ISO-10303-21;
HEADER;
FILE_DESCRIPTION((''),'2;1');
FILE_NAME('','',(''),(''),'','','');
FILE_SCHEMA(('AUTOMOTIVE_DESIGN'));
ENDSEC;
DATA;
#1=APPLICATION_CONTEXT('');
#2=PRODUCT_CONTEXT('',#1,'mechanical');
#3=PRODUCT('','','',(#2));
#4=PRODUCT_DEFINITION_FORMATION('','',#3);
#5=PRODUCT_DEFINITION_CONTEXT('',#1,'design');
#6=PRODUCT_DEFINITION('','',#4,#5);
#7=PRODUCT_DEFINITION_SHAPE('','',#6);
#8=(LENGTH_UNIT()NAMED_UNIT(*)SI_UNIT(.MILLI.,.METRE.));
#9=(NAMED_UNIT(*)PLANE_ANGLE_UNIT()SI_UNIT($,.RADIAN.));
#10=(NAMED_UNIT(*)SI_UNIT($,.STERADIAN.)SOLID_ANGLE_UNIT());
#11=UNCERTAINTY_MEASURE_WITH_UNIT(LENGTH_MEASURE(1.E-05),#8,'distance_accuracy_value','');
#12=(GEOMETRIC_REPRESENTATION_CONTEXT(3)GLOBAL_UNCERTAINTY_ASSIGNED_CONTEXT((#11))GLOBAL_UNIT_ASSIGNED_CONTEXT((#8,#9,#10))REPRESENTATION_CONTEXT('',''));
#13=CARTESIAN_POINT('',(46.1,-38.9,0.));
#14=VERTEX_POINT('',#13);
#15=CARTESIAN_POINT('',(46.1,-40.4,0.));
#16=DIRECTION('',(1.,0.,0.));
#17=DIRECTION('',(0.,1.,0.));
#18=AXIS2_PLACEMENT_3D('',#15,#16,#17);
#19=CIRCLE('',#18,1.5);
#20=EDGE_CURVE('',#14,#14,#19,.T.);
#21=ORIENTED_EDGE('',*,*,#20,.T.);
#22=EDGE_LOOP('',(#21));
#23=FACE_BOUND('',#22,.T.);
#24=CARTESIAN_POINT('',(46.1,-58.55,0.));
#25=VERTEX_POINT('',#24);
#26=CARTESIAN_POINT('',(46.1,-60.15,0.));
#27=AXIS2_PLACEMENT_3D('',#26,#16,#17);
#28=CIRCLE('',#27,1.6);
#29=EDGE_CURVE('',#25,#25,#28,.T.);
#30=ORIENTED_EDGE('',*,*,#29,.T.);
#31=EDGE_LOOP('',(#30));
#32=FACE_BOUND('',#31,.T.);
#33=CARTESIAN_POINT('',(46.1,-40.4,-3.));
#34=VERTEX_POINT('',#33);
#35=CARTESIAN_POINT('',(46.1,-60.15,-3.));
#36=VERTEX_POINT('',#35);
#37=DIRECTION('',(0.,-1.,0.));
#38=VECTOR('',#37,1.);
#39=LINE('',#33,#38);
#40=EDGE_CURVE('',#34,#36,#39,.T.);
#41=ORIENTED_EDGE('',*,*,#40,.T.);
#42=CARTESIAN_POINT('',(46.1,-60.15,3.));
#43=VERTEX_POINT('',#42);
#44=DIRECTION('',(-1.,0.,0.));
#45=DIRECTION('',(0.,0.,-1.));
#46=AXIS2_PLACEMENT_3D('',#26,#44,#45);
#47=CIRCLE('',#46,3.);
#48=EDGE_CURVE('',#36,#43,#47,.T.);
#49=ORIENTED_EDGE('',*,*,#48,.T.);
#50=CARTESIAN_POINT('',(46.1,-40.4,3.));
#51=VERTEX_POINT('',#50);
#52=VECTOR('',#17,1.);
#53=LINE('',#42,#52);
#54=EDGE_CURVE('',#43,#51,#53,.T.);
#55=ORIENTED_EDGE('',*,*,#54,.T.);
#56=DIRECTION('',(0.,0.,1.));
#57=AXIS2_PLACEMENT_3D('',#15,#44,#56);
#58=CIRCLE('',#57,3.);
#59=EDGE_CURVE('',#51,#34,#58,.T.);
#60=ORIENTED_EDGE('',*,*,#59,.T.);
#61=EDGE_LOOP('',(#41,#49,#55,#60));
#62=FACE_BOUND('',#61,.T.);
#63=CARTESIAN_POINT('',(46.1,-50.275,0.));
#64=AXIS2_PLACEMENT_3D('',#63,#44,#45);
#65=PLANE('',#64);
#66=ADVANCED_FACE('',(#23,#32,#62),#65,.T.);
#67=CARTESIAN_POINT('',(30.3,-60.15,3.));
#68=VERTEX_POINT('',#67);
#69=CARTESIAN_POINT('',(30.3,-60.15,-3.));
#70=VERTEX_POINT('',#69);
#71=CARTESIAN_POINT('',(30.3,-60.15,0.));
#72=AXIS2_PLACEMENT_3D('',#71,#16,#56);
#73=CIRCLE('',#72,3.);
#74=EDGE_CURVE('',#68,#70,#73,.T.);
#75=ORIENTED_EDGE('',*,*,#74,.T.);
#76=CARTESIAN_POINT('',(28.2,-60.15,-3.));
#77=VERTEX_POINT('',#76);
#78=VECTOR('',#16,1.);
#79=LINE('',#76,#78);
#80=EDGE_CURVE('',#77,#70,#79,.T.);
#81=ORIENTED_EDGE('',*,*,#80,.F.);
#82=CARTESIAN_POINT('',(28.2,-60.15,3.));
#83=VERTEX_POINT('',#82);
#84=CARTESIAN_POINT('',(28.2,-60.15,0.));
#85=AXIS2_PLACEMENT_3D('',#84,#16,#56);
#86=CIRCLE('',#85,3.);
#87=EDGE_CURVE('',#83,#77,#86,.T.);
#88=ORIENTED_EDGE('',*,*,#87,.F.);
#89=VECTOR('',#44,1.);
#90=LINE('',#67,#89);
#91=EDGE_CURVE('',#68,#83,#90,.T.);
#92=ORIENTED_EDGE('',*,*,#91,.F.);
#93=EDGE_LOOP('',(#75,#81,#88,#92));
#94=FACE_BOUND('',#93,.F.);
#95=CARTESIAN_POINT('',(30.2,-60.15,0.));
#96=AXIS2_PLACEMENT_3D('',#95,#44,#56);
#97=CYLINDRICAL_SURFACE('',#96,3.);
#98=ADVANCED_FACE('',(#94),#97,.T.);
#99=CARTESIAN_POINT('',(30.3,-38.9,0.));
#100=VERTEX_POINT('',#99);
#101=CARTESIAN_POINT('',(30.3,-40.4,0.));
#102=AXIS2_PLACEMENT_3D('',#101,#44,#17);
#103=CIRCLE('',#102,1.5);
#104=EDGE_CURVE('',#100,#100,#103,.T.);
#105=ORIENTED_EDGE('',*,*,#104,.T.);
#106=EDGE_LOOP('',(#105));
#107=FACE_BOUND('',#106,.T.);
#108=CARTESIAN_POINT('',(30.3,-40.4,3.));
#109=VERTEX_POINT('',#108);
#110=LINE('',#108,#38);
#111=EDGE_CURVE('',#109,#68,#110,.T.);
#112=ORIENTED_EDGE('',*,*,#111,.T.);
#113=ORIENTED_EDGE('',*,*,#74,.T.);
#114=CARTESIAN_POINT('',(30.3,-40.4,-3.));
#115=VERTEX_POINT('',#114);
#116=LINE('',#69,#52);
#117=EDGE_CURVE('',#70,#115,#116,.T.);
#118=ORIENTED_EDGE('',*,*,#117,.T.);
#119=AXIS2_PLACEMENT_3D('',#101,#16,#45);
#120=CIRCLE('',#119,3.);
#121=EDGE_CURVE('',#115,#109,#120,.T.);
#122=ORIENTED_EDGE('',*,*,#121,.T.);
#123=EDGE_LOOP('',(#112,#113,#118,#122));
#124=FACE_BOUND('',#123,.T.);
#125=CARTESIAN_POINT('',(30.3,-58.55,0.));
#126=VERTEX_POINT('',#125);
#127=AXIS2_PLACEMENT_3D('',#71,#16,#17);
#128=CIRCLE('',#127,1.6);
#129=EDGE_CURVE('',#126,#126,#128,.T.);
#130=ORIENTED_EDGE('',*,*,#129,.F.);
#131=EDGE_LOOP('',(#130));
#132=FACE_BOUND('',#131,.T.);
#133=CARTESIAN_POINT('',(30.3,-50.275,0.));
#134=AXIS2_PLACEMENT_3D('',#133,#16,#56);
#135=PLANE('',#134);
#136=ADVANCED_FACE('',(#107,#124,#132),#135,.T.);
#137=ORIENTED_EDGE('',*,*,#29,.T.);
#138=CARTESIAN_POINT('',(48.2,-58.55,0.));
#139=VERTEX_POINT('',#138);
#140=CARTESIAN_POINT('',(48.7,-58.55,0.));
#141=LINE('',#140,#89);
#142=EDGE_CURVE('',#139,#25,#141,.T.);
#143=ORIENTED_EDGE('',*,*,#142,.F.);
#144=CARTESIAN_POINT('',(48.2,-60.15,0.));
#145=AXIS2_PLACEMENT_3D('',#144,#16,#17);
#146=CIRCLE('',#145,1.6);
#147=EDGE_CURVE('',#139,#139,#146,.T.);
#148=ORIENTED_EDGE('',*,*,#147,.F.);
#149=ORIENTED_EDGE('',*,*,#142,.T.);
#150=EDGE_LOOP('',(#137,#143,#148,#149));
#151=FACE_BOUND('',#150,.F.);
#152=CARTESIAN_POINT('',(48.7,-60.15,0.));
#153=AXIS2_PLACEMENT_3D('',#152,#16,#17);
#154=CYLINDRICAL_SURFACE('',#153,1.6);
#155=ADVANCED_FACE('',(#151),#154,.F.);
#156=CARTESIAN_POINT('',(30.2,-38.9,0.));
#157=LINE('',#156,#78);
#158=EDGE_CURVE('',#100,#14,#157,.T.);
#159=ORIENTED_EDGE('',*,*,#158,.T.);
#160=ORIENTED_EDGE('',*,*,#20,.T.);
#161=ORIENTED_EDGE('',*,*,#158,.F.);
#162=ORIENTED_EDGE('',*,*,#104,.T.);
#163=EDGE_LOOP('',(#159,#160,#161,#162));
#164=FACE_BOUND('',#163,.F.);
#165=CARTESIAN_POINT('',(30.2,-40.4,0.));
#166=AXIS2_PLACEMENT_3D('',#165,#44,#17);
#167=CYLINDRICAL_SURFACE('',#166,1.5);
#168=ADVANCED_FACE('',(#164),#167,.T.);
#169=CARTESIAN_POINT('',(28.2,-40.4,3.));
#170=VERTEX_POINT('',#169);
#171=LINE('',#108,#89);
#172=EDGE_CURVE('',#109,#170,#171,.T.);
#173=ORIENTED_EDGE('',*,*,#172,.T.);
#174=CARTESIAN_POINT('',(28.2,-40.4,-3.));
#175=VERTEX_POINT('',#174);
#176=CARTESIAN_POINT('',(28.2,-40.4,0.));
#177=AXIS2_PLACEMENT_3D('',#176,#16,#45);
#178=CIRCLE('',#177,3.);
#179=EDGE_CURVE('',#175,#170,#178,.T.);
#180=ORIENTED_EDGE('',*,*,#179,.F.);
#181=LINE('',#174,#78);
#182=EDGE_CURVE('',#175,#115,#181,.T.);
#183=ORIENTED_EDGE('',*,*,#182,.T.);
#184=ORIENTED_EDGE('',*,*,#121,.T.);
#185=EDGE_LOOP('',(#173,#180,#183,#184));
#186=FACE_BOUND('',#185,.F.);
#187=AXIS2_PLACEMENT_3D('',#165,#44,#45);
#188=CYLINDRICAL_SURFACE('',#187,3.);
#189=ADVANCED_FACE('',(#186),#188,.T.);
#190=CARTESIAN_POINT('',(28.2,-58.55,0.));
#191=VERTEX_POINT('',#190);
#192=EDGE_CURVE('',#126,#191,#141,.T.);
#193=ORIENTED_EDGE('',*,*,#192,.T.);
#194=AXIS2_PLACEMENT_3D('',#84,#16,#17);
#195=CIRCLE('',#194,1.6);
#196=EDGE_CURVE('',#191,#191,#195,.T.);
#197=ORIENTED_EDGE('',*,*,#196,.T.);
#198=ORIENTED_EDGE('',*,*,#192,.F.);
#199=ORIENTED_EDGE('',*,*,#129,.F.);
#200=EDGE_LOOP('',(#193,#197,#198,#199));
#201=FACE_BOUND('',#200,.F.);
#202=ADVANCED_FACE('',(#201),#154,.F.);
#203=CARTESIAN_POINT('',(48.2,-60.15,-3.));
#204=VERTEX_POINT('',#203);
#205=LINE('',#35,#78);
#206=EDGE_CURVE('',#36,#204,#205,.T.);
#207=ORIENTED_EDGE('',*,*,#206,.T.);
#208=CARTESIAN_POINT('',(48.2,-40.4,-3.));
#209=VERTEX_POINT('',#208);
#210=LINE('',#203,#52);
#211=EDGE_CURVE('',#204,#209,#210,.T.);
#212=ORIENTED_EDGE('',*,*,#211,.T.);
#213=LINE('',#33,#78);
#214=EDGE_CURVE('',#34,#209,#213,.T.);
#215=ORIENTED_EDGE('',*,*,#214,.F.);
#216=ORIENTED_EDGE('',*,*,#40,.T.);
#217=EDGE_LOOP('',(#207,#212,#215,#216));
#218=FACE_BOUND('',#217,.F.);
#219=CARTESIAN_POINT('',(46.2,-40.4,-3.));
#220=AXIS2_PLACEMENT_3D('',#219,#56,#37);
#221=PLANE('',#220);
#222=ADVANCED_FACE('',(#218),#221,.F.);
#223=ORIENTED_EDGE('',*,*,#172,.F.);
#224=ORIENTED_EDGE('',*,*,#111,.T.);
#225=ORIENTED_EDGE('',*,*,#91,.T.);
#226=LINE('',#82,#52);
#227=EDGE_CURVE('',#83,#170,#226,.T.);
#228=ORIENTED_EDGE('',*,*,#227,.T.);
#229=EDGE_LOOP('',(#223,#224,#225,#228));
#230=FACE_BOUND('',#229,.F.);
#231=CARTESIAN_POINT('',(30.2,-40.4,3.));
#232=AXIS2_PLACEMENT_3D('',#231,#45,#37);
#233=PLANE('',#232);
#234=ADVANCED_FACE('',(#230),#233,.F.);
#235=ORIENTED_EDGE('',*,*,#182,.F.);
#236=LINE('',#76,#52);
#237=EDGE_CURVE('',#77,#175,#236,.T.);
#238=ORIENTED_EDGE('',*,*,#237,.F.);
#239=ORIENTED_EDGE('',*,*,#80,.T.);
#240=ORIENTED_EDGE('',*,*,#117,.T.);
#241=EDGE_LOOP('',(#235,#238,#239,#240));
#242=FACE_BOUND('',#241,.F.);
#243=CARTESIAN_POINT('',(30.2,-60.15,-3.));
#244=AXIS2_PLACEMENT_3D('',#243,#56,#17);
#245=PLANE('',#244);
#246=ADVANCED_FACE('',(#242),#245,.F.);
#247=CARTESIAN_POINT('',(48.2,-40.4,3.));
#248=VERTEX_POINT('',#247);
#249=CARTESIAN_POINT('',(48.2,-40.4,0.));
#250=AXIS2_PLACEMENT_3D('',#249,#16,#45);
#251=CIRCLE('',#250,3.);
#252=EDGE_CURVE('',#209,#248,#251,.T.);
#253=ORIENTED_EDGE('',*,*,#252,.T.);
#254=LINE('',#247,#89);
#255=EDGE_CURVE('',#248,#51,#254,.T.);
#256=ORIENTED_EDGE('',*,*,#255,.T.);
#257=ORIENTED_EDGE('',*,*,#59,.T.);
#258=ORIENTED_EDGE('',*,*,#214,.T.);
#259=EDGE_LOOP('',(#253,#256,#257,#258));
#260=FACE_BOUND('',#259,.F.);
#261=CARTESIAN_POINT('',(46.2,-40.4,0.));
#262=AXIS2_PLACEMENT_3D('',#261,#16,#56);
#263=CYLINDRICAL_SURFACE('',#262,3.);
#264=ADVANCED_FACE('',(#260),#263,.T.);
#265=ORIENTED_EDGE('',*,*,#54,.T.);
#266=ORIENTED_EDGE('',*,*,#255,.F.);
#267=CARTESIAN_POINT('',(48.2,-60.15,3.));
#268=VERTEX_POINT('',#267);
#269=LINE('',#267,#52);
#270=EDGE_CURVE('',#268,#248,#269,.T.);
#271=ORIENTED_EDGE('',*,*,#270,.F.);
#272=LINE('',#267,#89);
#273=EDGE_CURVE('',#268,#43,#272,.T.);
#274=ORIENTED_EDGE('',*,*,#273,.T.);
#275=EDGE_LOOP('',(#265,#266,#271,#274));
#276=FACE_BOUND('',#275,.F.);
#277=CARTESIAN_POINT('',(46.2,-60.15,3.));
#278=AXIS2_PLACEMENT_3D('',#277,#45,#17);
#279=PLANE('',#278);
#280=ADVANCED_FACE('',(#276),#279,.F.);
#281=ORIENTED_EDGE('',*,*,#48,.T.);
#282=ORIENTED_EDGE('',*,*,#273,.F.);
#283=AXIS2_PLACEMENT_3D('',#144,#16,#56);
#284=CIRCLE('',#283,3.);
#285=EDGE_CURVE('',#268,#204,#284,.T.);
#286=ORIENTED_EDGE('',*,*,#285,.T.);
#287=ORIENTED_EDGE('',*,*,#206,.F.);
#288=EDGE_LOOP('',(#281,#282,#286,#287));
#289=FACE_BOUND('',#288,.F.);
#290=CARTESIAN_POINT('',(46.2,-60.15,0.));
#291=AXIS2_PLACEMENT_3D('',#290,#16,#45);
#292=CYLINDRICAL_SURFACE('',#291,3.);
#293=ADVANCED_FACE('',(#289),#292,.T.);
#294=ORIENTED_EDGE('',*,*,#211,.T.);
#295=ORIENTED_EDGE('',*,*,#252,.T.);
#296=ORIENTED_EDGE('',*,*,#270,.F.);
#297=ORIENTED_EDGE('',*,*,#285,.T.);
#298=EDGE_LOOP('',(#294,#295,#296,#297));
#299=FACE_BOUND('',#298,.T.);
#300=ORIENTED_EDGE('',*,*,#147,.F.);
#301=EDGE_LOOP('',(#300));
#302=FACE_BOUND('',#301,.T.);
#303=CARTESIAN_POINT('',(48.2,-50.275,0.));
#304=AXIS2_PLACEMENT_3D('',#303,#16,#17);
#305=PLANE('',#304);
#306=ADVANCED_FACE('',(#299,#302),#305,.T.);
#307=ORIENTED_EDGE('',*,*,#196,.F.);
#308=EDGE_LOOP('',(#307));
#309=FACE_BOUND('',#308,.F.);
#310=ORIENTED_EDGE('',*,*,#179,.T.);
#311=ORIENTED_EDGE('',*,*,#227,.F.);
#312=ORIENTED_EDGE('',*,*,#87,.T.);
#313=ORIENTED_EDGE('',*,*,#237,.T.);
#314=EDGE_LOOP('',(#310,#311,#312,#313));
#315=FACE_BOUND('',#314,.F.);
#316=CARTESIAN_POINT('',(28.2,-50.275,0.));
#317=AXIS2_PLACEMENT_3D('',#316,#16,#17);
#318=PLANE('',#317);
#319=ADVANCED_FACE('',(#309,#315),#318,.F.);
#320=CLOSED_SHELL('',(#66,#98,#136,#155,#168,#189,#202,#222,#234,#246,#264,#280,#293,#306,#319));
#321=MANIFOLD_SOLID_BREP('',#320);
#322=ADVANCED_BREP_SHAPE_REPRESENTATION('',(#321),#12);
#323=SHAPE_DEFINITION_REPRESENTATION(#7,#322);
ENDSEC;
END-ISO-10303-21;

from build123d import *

# Parameters (mm, degrees)
PAD139_DEPTH            = 2
SKETCH244_R             = 1.5
PAD140_DEPTH            = 16
PAD141_DEPTH            = 2
SKETCH246_R             = 1.5
PAD142_DEPTH            = 0.5
SKETCH247_R             = 1.5
PAD143_DEPTH            = 0.5
PAD143_FACE5_R          = 1.5
PAD212_DEPTH            = 0.1
PAD212_FACE4_R          = 1.5
PAD213_DEPTH            = 0.1
SKETCH353_R             = 1.6
POCKET170_DEPTH         = 22
BODY020_ROLL_ANGLE      = 90
BODY020_PLACEMENT_ANGLE = 90


with BuildPart() as part:
    # Sketch243 → Pad139 (new body)
    with BuildSketch(Plane.XY):
        with BuildLine():
            ThreePointArc((0, 3), (-3, 0), (0, -3))
            Line((0, -3), (19.75, -3))
            ThreePointArc((19.75, -3), (22.75, 0), (19.75, 3))
            Line((0, 3), (19.75, 3))
        make_face()
    extrude(amount=PAD139_DEPTH)

    # Sketch244 (on Face6 of Pad139) → Pad140 (join)
    with BuildSketch(Plane.XY.offset(2)):
        Circle(SKETCH244_R)
        with Locations((19.75, 0)):
            Circle(SKETCH244_R)
    extrude(amount=PAD140_DEPTH)

    # Sketch245 (on Face9 of Pad140) → Pad141 (join)
    with BuildSketch(Plane.XY.offset(18)):
        with BuildLine():
            ThreePointArc((0, 3), (-3, 0), (0, -3))
            Line((0, -3), (19.75, -3))
            ThreePointArc((19.75, -3), (22.75, 0), (19.75, 3))
            Line((0, 3), (19.75, 3))
        make_face()
    extrude(amount=PAD141_DEPTH)

    # Sketch246 (on Face14 of Pad141) → Pad142 (join)
    with BuildSketch(Plane.XY.offset(20)):
        Circle(SKETCH246_R)
    extrude(amount=PAD142_DEPTH)

    # Sketch247 (on Face4 of Pad142) → Pad143 (join)
    with BuildSketch(Plane(origin=(0, 0, 0), x_dir=(1, 0, 0), z_dir=(0, 0, -1))):
        Circle(SKETCH247_R)
    extrude(amount=PAD143_DEPTH)

    # Pad143 Face5 → Pad212 (add)
    with BuildSketch(Plane(origin=(9.875, 0, 2), x_dir=(0, 1, 0), z_dir=(0, 0, 1))):
        with BuildLine():
            ThreePointArc((3, 9.875), (0, 12.875), (-3, 9.875))
            Line((-3, 9.875), (-3, -9.875))
            ThreePointArc((-3, -9.875), (0, -12.875), (3, -9.875))
            Line((3, -9.875), (3, 9.875))
        make_face()
        with Locations((0, 9.875)):
            Circle(PAD143_FACE5_R, mode=Mode.SUBTRACT)
        with Locations((0, -9.875)):
            Circle(PAD143_FACE5_R, mode=Mode.SUBTRACT)
    extrude(amount=PAD212_DEPTH)

    # Pad212 Face4 → Pad213 (add)
    with BuildSketch(Plane(origin=(9.875, 0, 18), x_dir=(0, -1, 0), z_dir=(0, 0, -1))):
        with BuildLine():
            ThreePointArc((3, 9.875), (0, 12.875), (-3, 9.875))
            Line((-3, 9.875), (-3, -9.875))
            ThreePointArc((-3, -9.875), (0, -12.875), (3, -9.875))
            Line((3, -9.875), (3, 9.875))
        make_face()
        with Locations((0, 9.875)):
            Circle(PAD212_FACE4_R, mode=Mode.SUBTRACT)
        with Locations((0, -9.875)):
            Circle(PAD212_FACE4_R, mode=Mode.SUBTRACT)
    extrude(amount=PAD213_DEPTH)

    # Sketch353 (on Face3 of Pad213) → Pocket170 (cut)
    with BuildSketch(Plane.XY.offset(20.5)):
        Circle(SKETCH353_R)
    extrude(amount=-POCKET170_DEPTH, mode=Mode.SUBTRACT)


with BuildPart() as part_1:
    # Body020 roll: moved
    add(part.part.rotate(Axis((0, 0, 0), (1, 0, 0)), BODY020_ROLL_ANGLE))


with BuildPart() as part_2:
    # Body020 placement: moved
    add(part_1.part.moved(Location((28.2, -60.15, 0))).rotate(Axis((28.2, -60.15, 0), (0, 0, 1)), BODY020_PLACEMENT_ANGLE))


solid = part_2.part
